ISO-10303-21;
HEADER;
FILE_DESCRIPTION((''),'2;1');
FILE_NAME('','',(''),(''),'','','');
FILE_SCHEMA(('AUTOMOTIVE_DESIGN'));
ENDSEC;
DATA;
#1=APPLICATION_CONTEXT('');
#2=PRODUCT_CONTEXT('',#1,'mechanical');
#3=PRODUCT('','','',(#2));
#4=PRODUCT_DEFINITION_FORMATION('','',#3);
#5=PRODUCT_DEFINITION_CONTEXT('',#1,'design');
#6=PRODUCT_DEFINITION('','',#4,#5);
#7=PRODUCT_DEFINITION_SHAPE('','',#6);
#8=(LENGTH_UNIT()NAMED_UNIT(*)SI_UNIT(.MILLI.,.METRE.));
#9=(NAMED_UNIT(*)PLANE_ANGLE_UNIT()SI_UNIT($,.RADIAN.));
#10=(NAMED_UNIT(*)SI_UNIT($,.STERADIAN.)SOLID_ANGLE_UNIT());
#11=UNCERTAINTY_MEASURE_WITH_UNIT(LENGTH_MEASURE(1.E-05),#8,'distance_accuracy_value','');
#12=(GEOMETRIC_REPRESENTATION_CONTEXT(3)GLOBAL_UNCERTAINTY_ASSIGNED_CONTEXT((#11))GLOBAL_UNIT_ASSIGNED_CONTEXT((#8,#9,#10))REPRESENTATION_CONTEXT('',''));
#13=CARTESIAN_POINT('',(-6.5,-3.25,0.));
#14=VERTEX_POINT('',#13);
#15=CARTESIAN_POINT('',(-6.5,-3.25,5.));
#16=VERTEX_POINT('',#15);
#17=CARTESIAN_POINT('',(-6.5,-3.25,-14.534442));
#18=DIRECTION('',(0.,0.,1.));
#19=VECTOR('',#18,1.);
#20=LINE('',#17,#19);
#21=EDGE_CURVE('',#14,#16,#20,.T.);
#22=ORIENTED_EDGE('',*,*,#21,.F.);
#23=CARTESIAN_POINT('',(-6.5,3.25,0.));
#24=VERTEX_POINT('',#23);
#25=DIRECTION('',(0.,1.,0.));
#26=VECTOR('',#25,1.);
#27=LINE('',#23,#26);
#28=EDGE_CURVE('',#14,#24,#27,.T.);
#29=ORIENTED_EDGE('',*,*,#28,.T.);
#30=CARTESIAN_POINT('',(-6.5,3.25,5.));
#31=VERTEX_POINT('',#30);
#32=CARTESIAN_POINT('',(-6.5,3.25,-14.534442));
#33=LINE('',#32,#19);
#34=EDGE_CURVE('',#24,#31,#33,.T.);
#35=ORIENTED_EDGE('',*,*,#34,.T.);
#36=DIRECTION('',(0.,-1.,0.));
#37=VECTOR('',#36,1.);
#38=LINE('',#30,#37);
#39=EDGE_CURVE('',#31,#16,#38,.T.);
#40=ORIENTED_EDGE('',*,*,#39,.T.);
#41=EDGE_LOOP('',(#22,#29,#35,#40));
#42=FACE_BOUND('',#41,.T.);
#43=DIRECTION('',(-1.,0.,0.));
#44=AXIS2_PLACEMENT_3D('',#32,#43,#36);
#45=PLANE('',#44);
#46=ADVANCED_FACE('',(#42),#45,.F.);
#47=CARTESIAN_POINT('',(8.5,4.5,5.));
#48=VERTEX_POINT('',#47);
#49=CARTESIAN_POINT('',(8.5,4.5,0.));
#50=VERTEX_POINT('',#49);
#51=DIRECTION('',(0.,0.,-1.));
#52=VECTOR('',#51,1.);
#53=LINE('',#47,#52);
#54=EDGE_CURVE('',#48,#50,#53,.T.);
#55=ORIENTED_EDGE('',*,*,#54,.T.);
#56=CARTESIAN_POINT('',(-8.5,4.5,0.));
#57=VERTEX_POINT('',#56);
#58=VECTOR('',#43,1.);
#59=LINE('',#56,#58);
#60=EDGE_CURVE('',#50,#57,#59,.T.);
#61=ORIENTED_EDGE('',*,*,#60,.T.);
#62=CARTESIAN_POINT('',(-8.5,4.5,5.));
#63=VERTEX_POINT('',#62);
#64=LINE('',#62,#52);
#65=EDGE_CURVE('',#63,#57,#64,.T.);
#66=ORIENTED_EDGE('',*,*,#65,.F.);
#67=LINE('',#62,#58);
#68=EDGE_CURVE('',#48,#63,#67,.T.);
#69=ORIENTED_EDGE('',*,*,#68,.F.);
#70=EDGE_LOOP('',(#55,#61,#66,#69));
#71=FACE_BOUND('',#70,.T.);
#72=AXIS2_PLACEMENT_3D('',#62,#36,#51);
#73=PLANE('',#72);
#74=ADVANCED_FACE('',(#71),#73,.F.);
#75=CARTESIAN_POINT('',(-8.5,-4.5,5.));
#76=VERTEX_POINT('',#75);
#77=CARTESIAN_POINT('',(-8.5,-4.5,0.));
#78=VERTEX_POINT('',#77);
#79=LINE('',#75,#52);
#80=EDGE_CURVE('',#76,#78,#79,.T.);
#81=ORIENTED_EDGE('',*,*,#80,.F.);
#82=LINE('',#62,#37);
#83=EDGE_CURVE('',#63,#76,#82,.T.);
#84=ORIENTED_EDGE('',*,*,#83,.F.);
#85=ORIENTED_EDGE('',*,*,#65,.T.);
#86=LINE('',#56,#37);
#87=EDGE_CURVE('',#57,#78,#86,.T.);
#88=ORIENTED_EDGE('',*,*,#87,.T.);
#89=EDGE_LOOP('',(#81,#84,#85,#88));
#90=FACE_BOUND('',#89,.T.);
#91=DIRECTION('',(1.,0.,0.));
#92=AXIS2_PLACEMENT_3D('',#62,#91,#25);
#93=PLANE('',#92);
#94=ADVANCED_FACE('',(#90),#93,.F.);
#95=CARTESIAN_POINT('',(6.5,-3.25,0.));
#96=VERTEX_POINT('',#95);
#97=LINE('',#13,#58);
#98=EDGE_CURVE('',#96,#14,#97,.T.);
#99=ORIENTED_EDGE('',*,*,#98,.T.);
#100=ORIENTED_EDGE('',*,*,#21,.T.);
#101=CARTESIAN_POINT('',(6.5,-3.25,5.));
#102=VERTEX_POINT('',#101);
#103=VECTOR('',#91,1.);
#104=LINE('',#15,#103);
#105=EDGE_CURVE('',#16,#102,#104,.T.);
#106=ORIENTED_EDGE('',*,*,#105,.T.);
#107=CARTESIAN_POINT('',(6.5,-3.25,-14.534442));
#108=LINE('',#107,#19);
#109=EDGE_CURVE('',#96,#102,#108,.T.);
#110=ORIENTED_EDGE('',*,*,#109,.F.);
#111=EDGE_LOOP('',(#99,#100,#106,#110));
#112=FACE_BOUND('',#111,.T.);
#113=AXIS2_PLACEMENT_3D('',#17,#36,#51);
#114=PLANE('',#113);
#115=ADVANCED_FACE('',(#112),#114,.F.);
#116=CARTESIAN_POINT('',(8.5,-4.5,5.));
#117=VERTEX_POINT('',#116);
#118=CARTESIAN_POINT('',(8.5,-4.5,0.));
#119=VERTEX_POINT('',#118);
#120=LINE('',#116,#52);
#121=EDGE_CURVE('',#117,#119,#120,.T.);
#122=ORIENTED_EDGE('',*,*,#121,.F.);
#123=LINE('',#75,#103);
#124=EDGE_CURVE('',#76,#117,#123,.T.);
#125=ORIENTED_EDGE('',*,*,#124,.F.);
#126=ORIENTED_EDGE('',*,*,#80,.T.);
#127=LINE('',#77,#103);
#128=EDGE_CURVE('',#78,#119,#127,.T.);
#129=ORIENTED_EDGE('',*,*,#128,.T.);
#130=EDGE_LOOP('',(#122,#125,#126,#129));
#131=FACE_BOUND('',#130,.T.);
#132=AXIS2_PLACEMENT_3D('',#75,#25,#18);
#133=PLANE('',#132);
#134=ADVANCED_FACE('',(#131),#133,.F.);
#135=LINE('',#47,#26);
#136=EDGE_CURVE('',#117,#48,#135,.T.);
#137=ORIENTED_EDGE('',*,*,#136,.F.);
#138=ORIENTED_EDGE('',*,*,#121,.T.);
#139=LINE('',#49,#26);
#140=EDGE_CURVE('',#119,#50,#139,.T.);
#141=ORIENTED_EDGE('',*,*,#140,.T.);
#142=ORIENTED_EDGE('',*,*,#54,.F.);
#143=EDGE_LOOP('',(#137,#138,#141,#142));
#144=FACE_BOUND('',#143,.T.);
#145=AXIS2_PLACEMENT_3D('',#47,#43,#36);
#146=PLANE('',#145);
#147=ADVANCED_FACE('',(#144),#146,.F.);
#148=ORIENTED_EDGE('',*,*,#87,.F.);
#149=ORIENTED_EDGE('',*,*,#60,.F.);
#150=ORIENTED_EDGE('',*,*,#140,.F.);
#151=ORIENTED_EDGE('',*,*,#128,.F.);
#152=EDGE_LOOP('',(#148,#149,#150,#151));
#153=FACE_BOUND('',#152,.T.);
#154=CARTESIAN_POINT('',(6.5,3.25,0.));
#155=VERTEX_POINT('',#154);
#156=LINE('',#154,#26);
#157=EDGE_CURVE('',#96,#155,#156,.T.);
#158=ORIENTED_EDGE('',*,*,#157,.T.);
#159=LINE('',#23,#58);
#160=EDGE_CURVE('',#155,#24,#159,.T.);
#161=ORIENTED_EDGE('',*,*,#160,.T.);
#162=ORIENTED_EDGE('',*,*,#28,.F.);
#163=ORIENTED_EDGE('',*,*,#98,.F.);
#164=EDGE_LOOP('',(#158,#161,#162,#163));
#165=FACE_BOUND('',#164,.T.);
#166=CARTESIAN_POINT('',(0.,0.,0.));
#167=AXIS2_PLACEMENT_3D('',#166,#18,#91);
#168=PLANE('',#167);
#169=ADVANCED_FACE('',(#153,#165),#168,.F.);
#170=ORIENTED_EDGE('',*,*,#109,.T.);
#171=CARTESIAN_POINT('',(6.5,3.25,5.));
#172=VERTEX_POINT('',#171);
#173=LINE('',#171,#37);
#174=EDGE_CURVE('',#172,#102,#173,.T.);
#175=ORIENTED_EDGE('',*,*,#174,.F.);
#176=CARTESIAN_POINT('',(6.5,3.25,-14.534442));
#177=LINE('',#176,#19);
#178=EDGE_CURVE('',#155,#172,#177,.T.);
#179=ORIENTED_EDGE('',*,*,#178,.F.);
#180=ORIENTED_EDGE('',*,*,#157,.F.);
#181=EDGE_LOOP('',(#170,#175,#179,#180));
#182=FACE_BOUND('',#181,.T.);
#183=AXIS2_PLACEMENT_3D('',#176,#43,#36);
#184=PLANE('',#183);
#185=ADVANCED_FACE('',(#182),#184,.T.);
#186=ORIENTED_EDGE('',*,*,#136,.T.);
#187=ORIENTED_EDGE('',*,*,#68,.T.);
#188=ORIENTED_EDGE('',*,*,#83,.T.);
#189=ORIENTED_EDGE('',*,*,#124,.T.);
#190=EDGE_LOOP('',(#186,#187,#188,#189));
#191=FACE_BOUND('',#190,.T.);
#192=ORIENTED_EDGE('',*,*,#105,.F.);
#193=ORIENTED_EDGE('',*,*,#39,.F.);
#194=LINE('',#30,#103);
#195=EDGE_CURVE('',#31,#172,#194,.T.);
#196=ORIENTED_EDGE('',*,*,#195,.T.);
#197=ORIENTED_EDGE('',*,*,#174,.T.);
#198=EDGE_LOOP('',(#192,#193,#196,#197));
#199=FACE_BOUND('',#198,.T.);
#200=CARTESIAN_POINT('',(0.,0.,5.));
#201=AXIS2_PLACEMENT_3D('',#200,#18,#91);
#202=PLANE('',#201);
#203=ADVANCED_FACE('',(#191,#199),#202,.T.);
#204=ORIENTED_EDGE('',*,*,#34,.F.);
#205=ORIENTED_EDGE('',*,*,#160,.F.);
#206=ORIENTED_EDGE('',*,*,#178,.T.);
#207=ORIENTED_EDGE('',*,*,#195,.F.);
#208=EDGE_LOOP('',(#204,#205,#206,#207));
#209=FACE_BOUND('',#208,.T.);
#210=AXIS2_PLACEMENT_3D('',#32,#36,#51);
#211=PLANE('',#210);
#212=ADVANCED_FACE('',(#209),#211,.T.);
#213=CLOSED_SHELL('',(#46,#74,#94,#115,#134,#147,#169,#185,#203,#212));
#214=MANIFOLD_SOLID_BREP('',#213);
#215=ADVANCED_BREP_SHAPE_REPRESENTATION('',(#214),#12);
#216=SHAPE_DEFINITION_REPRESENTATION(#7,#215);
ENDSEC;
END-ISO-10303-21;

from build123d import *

# Parameters (mm, degrees)
ESQUISSE1_W             = 17
ESQUISSE1_H             = 9
BOSS_EXTRU_1_DEPTH      = 5
ESQUISSE2_W             = 13
ESQUISSE2_H             = 6.5
ENL_V_MAT_EXTRU_1_DEPTH = 5


with BuildPart() as part:
    # Esquisse1 → Boss.-Extru.1 (new body)
    with BuildSketch(Plane.XY):
        Rectangle(ESQUISSE1_W, ESQUISSE1_H)
    extrude(amount=BOSS_EXTRU_1_DEPTH)

    # Esquisse2 → Enlèv. mat.-Extru.1 (cut)
    with BuildSketch(Plane.XY.offset(5)):
        Rectangle(ESQUISSE2_W, ESQUISSE2_H)
    extrude(amount=-ENL_V_MAT_EXTRU_1_DEPTH, mode=Mode.SUBTRACT)


solid = part.part
